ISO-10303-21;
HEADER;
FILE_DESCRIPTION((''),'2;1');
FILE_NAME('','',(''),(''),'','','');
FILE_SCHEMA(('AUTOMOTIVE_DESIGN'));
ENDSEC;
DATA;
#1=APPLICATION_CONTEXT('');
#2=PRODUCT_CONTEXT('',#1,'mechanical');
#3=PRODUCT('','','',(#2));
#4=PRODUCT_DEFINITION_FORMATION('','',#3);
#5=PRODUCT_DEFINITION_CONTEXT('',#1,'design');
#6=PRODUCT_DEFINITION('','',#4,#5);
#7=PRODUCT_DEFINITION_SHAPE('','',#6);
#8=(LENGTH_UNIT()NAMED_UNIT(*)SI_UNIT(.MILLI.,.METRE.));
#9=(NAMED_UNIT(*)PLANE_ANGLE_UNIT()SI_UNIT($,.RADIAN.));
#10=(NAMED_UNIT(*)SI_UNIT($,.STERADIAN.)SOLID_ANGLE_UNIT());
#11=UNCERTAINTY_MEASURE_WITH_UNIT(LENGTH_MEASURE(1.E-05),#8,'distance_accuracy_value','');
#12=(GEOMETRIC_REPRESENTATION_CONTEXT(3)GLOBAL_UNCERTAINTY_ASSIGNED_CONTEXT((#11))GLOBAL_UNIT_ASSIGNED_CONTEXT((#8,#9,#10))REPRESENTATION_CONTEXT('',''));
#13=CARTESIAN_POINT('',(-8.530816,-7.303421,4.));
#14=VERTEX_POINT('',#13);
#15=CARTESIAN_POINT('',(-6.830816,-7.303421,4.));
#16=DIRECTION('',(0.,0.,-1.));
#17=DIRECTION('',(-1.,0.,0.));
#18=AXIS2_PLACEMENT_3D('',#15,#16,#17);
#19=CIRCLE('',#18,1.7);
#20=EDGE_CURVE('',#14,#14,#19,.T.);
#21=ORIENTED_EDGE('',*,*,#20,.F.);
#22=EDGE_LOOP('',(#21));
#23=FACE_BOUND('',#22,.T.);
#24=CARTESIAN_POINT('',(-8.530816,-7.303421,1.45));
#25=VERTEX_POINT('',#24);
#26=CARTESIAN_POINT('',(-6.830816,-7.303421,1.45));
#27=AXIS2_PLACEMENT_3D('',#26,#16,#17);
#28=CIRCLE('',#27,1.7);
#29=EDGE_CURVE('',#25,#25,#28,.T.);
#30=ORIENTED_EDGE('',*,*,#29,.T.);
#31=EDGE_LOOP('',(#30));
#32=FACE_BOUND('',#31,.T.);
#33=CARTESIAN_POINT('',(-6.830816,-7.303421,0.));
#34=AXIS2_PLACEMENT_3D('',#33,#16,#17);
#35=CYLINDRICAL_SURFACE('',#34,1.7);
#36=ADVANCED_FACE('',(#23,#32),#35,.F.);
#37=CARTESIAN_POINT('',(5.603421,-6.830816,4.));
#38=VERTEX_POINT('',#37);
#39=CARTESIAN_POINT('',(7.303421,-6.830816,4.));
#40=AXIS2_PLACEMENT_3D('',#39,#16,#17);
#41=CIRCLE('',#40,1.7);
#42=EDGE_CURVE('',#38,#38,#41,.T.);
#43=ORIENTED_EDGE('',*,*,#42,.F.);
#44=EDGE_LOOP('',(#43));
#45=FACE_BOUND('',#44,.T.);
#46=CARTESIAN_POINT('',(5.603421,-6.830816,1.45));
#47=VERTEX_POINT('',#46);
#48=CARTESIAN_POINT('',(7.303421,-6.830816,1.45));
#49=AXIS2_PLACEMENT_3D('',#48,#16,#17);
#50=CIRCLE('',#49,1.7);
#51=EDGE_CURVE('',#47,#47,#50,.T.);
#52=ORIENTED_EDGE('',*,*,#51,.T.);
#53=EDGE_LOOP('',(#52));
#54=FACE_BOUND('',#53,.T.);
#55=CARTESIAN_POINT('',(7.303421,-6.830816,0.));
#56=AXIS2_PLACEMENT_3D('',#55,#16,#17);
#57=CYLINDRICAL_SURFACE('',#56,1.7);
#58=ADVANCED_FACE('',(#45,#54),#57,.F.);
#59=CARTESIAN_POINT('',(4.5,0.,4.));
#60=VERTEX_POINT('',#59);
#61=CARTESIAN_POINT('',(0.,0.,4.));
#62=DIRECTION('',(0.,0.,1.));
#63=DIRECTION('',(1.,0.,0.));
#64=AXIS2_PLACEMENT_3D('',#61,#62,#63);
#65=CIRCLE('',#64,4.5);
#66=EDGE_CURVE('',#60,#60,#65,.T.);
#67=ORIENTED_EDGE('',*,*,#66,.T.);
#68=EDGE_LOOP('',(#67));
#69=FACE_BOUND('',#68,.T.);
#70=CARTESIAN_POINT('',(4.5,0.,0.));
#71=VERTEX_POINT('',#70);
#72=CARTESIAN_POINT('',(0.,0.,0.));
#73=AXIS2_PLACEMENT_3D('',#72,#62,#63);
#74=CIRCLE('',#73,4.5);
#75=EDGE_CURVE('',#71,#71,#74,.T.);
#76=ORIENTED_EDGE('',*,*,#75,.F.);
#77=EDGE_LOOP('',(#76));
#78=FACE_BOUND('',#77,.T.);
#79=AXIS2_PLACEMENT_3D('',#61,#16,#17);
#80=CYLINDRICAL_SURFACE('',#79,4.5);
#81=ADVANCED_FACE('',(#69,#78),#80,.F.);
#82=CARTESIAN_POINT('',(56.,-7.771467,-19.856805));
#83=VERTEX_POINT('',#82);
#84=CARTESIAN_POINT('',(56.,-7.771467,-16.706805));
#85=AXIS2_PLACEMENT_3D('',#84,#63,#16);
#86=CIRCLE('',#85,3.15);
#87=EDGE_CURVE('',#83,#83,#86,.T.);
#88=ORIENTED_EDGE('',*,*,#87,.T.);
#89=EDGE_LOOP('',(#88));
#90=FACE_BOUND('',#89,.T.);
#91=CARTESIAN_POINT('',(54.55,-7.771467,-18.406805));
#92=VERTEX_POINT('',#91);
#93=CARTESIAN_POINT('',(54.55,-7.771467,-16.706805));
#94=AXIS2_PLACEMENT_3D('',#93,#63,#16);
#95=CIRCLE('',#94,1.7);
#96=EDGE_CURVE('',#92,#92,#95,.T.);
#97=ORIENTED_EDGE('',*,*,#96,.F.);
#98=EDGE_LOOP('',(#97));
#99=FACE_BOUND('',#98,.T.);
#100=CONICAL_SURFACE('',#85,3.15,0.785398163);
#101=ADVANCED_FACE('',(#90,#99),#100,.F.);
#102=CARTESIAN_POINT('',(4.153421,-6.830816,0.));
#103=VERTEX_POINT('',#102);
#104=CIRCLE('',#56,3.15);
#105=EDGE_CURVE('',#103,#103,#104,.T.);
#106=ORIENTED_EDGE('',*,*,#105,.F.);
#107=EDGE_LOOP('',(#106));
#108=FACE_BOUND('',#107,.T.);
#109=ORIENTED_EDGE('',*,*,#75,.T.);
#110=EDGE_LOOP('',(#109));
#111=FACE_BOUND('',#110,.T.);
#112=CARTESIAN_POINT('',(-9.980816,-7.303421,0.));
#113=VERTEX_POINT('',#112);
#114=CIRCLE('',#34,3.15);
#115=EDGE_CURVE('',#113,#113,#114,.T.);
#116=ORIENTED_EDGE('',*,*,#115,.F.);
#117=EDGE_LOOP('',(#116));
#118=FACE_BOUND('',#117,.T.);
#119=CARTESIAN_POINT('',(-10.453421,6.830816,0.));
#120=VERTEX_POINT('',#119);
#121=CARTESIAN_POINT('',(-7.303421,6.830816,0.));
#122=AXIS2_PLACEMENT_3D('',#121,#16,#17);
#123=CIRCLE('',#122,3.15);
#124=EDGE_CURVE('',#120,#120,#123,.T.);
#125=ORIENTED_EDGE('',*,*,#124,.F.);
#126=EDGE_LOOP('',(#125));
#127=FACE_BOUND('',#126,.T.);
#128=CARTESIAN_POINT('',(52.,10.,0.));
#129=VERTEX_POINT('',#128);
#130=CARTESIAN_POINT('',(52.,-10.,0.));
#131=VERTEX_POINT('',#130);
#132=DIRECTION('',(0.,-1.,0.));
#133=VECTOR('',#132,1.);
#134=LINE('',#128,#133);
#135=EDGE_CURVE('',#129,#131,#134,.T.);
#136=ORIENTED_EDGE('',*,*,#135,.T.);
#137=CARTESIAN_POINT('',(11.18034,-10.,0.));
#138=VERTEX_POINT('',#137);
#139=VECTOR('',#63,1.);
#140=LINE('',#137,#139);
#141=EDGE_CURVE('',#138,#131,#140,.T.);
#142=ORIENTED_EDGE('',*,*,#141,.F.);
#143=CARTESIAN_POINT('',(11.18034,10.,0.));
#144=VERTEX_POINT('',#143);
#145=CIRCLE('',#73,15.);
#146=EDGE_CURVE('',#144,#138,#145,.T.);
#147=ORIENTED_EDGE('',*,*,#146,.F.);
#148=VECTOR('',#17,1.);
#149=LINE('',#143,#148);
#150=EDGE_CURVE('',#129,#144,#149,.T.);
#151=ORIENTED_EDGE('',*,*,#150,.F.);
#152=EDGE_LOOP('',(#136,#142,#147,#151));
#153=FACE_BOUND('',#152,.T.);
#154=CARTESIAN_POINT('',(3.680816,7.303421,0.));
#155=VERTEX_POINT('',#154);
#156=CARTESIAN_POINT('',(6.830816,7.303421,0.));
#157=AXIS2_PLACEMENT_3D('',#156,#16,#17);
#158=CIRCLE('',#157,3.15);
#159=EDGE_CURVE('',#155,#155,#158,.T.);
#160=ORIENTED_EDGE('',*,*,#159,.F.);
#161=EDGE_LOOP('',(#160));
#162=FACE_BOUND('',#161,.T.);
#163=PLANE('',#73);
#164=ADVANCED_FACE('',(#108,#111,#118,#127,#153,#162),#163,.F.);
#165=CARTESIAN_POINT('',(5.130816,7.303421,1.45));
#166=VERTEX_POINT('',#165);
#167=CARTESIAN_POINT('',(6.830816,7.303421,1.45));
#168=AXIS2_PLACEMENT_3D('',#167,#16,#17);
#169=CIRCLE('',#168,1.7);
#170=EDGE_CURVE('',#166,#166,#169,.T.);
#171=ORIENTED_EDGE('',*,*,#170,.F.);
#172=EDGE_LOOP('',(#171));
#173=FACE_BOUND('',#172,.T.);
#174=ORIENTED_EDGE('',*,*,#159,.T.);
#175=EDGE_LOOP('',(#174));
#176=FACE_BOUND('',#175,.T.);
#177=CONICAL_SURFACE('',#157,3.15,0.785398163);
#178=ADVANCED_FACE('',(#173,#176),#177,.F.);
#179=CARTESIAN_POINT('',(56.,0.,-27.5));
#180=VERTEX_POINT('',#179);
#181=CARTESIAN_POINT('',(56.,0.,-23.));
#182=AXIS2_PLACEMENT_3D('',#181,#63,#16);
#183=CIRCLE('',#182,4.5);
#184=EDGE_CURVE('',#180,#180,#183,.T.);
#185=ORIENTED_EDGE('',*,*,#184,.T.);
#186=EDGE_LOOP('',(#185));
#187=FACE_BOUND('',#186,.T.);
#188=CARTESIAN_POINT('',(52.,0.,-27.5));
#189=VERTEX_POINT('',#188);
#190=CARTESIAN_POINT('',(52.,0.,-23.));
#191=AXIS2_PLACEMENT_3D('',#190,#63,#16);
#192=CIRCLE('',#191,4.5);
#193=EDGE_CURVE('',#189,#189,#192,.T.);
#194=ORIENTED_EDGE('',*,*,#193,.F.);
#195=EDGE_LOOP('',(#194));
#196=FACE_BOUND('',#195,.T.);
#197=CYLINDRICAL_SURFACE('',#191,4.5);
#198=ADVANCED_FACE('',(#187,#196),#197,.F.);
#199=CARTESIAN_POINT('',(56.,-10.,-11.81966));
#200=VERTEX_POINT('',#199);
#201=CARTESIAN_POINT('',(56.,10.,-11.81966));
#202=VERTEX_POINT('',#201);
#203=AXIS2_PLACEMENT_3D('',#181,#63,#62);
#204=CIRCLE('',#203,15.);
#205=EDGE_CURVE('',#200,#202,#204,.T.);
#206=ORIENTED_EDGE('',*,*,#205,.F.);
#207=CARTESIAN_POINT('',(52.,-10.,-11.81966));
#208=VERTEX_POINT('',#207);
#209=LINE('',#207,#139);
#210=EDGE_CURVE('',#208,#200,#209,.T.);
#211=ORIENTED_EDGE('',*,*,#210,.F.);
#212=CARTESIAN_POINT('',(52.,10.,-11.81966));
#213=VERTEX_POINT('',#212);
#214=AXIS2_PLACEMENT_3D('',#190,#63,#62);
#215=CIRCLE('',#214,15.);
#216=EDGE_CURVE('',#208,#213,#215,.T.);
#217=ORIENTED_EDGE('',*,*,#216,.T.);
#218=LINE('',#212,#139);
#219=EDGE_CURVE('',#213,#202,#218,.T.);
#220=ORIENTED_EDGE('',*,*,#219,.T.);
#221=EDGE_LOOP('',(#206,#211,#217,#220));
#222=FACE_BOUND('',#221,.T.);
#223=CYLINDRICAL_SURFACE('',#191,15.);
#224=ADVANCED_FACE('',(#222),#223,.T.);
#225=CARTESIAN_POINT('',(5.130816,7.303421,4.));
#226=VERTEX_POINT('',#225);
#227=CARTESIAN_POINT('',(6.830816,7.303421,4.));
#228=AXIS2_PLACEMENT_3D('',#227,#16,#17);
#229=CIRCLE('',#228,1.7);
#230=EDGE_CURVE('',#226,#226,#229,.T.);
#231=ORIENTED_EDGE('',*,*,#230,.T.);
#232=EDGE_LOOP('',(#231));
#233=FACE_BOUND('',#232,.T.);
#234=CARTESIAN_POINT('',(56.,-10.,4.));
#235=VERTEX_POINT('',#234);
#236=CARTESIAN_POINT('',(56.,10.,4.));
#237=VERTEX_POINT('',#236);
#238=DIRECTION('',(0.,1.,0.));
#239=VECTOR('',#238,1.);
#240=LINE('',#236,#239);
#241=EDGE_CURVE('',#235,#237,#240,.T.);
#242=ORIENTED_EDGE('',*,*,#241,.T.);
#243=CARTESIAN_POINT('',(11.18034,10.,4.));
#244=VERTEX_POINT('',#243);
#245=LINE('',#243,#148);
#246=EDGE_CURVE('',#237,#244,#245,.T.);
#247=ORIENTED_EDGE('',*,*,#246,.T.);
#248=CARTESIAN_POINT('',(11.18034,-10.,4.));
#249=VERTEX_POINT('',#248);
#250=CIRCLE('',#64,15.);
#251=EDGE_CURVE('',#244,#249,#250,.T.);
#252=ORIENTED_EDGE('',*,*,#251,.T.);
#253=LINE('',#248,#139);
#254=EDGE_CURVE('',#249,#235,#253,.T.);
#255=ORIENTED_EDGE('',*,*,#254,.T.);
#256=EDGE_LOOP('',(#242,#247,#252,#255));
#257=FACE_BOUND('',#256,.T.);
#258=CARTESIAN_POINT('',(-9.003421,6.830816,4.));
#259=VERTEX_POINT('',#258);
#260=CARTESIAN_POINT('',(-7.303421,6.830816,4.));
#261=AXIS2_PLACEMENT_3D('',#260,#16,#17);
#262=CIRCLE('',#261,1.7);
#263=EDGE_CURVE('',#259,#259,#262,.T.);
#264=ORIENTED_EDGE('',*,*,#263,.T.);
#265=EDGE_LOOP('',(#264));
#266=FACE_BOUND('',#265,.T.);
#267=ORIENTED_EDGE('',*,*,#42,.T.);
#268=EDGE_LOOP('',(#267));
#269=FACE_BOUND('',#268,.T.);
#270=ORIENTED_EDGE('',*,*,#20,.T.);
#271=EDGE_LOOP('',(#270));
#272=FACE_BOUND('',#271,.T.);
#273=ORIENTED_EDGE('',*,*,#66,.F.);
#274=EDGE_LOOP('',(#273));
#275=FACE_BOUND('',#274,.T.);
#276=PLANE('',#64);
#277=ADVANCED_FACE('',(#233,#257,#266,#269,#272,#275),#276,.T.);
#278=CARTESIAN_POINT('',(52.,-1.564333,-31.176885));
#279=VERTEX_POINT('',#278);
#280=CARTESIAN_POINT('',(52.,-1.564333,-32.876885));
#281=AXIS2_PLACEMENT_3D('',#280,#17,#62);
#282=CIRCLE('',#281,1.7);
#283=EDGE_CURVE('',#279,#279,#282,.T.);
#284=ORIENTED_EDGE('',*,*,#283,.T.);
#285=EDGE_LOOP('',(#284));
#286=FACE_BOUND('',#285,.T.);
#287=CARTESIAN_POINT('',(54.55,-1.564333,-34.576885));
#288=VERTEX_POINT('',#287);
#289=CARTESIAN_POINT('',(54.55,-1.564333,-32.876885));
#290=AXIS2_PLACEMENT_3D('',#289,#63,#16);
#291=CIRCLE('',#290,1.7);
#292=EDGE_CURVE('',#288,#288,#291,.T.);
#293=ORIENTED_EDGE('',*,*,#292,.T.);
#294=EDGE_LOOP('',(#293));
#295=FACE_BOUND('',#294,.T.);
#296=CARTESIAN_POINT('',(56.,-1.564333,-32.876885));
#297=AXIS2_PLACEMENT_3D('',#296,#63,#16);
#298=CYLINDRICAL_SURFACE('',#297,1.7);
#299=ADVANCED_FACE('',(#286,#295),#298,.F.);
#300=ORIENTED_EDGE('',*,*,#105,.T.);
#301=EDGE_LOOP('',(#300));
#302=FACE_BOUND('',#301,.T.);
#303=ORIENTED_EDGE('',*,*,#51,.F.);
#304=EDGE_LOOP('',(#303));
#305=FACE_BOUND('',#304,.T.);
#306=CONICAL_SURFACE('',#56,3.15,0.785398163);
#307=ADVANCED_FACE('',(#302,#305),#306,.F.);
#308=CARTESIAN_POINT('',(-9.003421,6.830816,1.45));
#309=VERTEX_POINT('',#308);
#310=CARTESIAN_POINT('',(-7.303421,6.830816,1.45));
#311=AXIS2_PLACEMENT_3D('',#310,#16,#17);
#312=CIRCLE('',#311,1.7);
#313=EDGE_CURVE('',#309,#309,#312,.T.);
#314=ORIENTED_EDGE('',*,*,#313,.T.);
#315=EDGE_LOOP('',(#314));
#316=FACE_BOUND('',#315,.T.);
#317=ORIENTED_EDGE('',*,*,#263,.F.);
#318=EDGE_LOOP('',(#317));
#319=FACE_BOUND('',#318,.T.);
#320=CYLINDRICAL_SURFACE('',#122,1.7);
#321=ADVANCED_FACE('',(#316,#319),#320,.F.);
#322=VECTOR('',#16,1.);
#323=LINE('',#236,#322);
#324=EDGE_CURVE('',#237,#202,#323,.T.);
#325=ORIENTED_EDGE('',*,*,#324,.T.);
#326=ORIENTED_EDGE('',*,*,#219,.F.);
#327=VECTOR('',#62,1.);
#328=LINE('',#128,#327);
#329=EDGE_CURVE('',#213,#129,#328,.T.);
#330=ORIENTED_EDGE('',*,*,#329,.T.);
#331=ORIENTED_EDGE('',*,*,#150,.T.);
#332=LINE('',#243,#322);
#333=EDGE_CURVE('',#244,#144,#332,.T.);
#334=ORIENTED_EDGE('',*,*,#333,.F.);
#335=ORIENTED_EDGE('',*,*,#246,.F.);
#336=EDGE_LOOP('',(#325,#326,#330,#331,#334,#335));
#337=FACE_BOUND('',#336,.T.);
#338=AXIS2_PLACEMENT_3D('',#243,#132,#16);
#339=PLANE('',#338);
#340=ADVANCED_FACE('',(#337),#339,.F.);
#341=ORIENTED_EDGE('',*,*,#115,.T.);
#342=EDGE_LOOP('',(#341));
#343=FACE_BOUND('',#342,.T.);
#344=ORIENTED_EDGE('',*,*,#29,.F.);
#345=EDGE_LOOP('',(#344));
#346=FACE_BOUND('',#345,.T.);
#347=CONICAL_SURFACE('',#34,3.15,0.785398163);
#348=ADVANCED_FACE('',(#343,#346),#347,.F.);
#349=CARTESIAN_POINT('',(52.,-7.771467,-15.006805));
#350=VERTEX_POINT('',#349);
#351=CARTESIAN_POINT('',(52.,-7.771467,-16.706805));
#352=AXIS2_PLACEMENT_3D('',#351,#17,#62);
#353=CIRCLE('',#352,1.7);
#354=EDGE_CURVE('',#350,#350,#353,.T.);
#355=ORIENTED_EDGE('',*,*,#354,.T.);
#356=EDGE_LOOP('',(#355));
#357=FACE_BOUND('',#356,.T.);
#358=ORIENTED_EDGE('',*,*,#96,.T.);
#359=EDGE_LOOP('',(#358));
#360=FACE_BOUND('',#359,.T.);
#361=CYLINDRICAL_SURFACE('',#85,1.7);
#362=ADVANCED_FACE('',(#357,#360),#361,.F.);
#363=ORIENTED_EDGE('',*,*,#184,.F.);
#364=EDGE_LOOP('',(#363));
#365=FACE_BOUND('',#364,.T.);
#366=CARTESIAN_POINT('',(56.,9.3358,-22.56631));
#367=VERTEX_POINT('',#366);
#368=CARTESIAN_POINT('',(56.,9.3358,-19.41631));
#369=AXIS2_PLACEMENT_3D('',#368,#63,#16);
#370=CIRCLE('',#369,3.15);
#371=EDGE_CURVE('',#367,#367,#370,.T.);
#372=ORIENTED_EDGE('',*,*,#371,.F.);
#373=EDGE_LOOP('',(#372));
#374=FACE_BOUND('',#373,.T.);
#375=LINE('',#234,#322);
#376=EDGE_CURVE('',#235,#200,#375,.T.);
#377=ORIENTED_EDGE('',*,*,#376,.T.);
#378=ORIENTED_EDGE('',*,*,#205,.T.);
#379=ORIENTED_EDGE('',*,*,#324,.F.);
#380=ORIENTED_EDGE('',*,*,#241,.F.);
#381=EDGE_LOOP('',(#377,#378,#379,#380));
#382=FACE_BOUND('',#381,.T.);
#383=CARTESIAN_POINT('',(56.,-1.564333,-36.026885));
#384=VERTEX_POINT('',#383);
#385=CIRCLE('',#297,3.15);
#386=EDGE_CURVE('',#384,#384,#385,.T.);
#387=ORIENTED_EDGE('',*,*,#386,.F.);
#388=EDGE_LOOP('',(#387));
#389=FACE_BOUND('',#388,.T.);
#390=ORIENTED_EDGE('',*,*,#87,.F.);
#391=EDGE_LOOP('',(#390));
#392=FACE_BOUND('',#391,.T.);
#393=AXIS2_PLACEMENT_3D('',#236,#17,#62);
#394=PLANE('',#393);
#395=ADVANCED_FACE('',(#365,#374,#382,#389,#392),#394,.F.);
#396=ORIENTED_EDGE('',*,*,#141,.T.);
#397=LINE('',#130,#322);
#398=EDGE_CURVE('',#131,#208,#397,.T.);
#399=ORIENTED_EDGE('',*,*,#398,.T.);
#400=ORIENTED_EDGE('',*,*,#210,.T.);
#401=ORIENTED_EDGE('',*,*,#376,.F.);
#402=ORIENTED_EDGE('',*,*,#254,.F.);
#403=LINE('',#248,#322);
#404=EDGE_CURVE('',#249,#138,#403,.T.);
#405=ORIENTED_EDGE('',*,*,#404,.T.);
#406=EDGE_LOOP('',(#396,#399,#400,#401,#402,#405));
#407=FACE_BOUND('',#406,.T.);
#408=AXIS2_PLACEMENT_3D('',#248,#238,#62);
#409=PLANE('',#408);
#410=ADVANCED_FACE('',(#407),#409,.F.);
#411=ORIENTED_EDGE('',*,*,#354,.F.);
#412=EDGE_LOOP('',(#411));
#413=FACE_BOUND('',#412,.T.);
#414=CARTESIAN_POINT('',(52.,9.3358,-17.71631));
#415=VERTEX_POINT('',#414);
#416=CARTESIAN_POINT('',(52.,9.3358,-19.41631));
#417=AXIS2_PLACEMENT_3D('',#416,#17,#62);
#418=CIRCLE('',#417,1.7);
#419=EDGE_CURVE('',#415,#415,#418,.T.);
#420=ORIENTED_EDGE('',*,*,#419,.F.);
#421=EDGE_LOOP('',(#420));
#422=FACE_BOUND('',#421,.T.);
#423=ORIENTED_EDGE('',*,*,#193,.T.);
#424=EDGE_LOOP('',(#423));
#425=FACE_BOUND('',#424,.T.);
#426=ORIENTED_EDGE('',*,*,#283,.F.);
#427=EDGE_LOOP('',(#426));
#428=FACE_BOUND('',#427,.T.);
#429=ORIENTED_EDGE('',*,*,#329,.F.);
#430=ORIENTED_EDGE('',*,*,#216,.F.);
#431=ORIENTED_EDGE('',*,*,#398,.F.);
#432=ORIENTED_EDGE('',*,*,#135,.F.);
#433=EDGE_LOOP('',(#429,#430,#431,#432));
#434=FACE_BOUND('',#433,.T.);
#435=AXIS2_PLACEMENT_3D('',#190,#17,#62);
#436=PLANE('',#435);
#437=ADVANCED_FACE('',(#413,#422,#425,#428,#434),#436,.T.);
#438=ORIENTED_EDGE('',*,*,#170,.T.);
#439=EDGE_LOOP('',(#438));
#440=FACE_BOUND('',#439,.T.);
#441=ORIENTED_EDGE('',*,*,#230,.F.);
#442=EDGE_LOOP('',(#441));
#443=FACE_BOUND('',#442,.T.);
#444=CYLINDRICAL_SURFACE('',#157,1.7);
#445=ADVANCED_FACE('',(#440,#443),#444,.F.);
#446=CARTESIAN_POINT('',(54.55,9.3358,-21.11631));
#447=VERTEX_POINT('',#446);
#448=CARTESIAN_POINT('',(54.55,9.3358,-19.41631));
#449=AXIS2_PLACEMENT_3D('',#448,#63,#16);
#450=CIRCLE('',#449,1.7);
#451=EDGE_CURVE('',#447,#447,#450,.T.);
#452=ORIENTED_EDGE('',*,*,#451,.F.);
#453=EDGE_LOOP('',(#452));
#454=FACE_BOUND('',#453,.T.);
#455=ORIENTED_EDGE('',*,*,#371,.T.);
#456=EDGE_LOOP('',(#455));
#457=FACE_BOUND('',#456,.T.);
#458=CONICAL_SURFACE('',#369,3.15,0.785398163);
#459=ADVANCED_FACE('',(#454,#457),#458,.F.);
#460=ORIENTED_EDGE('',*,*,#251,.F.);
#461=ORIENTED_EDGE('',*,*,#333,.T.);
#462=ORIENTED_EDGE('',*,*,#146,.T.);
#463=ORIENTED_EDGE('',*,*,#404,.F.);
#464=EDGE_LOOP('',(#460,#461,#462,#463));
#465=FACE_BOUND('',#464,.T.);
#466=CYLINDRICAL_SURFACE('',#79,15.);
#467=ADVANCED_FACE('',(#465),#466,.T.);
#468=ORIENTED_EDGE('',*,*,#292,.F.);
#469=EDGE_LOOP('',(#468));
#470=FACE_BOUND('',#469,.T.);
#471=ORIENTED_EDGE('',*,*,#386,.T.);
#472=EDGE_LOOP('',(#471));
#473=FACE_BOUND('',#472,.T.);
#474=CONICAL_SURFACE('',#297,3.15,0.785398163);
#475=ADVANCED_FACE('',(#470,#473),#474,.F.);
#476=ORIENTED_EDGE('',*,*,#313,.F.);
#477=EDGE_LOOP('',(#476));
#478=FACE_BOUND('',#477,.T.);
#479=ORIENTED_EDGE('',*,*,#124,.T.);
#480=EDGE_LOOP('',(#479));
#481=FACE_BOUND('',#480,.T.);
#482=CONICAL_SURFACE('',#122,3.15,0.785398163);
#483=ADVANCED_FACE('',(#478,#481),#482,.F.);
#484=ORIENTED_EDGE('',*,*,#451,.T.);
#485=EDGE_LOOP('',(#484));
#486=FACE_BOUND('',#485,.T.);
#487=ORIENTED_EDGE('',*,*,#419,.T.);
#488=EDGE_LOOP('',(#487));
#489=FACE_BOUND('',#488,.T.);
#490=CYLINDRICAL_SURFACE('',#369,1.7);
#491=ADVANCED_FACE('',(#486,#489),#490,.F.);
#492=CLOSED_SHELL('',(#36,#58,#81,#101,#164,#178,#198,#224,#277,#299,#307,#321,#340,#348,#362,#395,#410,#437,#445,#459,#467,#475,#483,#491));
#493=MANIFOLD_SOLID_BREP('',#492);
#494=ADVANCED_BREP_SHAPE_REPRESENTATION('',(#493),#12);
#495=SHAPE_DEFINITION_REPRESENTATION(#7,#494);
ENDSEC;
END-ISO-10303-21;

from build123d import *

# Parameters (mm, degrees)
ESQUISSE1_R                                    = 4.5
ESQUISSE1_R_2                                  = 1.5
BOSS_EXTRU_1_DEPTH                             = 4
ESQUISSE3_R                                    = 4.5
ESQUISSE3_R_2                                  = 1.500083245
BOSS_EXTRU_2_DEPTH                             = 4
FRAISAGE_POUR_VIS_T_TE_FRAIS_E_M31_D           = 3.4
FRAISAGE_POUR_VIS_T_TE_FRAIS_E_M31_CSINK_D     = 6.3
FRAISAGE_POUR_VIS_T_TE_FRAIS_E_M31_CSINK_ANGLE = 90
FRAISAGE_POUR_VIS_T_TE_FRAIS_E_M32_D           = 3.4
FRAISAGE_POUR_VIS_T_TE_FRAIS_E_M32_CSINK_D     = 6.3
FRAISAGE_POUR_VIS_T_TE_FRAIS_E_M32_CSINK_ANGLE = 90


with BuildPart() as part:
    # Esquisse1 → Boss.-Extru.1 (new body)
    with BuildSketch(Plane.XY):
        with BuildLine():
            Line((11.180339887, 10), (56, 10))
            Line((56, 10), (56, -10))
            Line((56, -10), (11.180339887, -10))
            ThreePointArc((11.180339887, -10), (-15, 0), (11.180339887, 10))
        make_face()
        Circle(ESQUISSE1_R, mode=Mode.SUBTRACT)
        with Locations((-7.303420571, 6.830816054)):
            Circle(ESQUISSE1_R_2, mode=Mode.SUBTRACT)
        with Locations((6.830816054, 7.303420571)):
            Circle(ESQUISSE1_R_2, mode=Mode.SUBTRACT)
        with Locations((7.303420571, -6.830816054)):
            Circle(ESQUISSE1_R_2, mode=Mode.SUBTRACT)
        with Locations((-6.830816054, -7.303420571)):
            Circle(ESQUISSE1_R_2, mode=Mode.SUBTRACT)
    extrude(amount=BOSS_EXTRU_1_DEPTH)

    # Esquisse3 → Boss.-Extru.2 (add)
    with BuildSketch(Plane(origin=(56, 0, 0), x_dir=(0, 0, -1), z_dir=(1, 0, 0))):
        with BuildLine():
            Line((0, 10), (11.819660113, 10))
            ThreePointArc((11.819660113, 10), (38, 0), (11.819660113, -10))
            Line((11.819660113, -10), (0, -10))
            Line((0, -10), (0, 10))
        make_face()
        with Locations((23, 0)):
            Circle(ESQUISSE3_R, mode=Mode.SUBTRACT)
        with Locations((19.416309522, 9.335800049)):
            Circle(ESQUISSE3_R_2, mode=Mode.SUBTRACT)
        with Locations((32.876885246, -1.564333031)):
            Circle(ESQUISSE3_R_2, mode=Mode.SUBTRACT)
        with Locations((16.706805232, -7.771467018)):
            Circle(ESQUISSE3_R_2, mode=Mode.SUBTRACT)
    extrude(amount=-BOSS_EXTRU_2_DEPTH)

    # Fraisage pour vis à tête fraisée M31 (through all)
    with Locations(Plane(origin=(0, 0, 0), x_dir=(-1, 0, 0), z_dir=(0, 0, -1))):
        with Locations((-6.830816054, 7.303420571), (7.303420571, 6.830816054), (6.830816054, -7.303420571), (-7.303420571, -6.830816054)):
            CounterSinkHole(FRAISAGE_POUR_VIS_T_TE_FRAIS_E_M31_D / 2, FRAISAGE_POUR_VIS_T_TE_FRAIS_E_M31_CSINK_D / 2, counter_sink_angle=FRAISAGE_POUR_VIS_T_TE_FRAIS_E_M31_CSINK_ANGLE)

    # Fraisage pour vis à tête fraisée M32 (through all)
    with Locations(Plane(origin=(56, 0, 0), x_dir=(0, 0, -1), z_dir=(1, 0, 0))):
        with Locations((19.416309522, 9.335800049), (32.876885246, -1.564333031), (16.706805232, -7.771467018)):
            CounterSinkHole(FRAISAGE_POUR_VIS_T_TE_FRAIS_E_M32_D / 2, FRAISAGE_POUR_VIS_T_TE_FRAIS_E_M32_CSINK_D / 2, counter_sink_angle=FRAISAGE_POUR_VIS_T_TE_FRAIS_E_M32_CSINK_ANGLE)


solid = part.part
